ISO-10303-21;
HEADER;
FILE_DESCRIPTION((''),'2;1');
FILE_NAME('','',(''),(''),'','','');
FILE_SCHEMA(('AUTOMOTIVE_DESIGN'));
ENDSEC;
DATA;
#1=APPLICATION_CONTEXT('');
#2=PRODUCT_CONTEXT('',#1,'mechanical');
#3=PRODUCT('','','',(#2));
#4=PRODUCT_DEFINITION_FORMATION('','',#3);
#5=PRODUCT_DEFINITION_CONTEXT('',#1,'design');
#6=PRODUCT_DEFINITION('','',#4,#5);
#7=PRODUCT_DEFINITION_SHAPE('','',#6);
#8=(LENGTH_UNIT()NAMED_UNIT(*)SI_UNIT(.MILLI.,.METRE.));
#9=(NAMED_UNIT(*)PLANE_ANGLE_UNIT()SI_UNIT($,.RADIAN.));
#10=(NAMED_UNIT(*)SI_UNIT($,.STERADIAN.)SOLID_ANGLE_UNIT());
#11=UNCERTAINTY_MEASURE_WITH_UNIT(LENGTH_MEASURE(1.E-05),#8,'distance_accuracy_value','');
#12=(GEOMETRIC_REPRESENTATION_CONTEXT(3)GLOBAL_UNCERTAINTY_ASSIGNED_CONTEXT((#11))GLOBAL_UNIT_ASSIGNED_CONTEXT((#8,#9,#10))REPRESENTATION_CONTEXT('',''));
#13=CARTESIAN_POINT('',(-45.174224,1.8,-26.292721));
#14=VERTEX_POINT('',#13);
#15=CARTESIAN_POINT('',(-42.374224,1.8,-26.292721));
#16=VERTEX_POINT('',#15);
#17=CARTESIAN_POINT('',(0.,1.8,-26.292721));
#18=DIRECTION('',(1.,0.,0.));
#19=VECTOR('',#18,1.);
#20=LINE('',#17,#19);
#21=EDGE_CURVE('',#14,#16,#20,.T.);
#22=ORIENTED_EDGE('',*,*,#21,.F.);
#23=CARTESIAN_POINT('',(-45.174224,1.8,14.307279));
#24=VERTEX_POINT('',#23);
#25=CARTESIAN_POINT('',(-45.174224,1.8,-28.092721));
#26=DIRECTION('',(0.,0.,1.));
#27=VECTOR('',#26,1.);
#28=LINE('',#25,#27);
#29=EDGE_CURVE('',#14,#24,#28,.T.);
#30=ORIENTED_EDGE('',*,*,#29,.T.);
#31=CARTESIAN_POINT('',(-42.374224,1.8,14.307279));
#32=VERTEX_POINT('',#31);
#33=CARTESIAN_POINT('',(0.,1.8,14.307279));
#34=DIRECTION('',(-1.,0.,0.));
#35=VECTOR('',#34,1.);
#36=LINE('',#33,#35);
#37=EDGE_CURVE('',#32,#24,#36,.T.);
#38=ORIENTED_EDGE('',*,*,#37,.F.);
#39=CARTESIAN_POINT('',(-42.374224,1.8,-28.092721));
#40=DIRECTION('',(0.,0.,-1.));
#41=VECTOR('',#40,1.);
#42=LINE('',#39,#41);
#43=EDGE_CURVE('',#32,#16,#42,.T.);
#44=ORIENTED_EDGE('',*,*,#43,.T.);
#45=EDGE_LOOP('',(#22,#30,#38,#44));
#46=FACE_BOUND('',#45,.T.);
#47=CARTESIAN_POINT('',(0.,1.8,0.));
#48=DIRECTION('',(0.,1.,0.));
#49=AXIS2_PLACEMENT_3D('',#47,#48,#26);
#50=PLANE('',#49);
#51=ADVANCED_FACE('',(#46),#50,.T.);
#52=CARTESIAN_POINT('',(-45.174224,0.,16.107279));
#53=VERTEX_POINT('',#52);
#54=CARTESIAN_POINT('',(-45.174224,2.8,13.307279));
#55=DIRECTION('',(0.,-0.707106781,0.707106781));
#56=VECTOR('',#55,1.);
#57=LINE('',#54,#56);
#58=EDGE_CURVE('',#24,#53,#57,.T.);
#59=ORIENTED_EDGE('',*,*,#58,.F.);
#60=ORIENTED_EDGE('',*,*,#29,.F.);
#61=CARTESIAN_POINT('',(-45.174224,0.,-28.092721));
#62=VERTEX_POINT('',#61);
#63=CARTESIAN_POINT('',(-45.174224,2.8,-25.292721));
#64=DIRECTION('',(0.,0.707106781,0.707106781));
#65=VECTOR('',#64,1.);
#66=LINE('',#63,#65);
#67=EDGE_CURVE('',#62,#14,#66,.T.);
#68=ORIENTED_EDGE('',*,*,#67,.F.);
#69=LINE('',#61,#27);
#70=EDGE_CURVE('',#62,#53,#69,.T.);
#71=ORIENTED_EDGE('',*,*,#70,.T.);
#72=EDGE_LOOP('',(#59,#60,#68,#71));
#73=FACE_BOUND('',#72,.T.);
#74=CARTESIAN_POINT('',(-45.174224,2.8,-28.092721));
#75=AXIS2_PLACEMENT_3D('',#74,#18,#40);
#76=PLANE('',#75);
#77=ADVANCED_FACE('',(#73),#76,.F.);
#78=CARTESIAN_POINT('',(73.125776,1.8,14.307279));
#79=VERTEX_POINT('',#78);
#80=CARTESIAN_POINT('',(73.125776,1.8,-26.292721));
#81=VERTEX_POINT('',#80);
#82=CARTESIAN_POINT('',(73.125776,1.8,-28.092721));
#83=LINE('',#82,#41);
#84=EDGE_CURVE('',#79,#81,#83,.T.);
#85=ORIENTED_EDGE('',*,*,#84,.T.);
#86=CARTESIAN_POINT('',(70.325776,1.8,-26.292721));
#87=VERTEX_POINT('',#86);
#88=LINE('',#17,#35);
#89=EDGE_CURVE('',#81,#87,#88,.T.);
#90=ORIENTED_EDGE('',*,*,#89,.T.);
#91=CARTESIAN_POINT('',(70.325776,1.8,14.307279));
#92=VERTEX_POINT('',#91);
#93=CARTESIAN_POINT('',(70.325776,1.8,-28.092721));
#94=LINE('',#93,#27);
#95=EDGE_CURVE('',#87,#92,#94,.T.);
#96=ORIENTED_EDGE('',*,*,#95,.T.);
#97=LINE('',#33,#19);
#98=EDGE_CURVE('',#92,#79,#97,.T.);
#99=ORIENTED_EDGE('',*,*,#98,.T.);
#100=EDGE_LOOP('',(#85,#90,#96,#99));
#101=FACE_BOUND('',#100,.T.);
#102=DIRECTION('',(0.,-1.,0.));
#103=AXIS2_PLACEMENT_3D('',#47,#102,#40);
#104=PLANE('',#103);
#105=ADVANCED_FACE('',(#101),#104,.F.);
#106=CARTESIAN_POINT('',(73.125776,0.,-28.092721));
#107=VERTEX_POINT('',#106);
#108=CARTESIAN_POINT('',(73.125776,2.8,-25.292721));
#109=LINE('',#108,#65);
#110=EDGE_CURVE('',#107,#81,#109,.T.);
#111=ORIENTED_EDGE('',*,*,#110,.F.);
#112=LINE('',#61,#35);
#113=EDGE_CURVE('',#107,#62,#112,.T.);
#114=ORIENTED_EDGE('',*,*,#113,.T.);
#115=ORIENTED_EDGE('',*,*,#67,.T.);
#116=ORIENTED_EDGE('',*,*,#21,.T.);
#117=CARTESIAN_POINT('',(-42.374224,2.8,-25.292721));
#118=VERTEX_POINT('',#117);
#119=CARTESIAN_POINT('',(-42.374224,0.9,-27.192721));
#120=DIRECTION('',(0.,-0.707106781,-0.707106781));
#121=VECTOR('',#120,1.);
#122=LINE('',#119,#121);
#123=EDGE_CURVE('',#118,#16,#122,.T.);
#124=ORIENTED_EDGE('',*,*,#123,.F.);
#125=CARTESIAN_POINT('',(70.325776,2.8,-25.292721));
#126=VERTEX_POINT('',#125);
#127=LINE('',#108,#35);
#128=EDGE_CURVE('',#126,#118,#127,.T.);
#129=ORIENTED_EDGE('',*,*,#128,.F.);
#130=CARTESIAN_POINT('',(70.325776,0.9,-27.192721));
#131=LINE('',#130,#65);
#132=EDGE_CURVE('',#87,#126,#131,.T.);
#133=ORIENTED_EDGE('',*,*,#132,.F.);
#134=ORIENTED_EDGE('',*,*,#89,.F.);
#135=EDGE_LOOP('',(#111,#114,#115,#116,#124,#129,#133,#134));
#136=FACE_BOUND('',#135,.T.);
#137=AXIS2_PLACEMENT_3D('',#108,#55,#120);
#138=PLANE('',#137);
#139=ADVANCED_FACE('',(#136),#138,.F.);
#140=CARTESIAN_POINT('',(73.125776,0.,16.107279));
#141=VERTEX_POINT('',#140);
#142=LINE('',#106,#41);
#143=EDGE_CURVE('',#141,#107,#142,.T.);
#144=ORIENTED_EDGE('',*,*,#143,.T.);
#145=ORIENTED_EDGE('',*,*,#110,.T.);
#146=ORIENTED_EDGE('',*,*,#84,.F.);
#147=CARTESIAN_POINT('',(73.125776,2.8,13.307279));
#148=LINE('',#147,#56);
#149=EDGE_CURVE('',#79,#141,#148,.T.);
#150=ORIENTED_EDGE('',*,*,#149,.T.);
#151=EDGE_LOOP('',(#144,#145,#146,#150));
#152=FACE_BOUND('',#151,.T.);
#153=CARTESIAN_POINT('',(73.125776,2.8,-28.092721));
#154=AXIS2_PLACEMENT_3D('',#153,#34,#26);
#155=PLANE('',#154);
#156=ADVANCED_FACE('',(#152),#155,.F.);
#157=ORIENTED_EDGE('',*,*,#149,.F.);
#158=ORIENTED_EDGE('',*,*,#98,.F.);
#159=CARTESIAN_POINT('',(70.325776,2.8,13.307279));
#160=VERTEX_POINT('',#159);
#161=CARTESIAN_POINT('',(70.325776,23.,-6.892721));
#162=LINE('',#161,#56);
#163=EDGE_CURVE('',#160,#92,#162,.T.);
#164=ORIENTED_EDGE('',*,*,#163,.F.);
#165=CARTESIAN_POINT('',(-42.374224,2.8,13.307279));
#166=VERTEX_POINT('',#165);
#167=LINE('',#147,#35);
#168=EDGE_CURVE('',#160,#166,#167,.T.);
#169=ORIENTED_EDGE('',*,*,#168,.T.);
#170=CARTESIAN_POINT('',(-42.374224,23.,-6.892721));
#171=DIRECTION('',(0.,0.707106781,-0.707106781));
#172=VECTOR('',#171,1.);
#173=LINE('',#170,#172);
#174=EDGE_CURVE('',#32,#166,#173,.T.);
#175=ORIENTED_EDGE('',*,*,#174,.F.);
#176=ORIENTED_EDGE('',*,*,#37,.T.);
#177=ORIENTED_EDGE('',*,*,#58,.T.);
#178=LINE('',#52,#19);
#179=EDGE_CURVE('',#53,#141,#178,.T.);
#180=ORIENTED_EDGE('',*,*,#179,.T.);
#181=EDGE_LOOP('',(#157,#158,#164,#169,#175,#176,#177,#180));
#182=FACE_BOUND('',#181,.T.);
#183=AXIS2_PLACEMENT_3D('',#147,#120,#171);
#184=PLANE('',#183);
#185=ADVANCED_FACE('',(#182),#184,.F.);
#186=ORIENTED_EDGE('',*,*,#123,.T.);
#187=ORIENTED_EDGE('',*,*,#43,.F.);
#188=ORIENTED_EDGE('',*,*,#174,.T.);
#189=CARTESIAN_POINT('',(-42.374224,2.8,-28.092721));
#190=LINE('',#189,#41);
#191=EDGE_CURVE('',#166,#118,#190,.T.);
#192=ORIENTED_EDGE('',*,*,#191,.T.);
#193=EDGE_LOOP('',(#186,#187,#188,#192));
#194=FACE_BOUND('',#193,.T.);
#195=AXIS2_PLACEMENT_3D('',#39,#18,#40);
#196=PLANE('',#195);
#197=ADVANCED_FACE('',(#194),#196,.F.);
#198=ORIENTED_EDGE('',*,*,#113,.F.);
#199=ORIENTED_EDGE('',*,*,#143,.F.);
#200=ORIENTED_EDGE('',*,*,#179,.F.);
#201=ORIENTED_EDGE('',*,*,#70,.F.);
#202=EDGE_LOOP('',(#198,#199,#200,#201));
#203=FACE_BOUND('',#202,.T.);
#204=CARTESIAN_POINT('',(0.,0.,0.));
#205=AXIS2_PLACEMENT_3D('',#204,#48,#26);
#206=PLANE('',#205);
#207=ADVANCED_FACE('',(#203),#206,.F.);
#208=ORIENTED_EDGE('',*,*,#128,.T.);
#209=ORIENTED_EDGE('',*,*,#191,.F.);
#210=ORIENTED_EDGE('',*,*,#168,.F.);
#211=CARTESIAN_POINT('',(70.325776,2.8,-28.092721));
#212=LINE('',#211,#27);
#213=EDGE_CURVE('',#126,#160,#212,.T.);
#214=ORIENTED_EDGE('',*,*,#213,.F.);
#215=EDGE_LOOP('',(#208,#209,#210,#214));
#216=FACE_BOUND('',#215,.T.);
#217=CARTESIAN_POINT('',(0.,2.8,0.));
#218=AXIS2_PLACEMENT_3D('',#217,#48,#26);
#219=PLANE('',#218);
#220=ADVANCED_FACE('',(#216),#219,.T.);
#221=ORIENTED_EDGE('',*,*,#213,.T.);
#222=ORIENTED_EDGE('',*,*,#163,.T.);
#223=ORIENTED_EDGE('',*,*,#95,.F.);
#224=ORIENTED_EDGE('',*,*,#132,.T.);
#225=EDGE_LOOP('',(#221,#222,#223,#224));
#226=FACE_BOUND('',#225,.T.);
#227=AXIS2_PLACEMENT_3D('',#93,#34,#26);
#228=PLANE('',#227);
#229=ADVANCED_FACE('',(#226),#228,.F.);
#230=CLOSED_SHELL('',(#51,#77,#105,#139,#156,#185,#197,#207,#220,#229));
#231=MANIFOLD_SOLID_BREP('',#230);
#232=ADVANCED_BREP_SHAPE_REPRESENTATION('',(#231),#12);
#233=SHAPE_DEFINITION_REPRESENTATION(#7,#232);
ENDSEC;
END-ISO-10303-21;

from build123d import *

# Parameters (mm, degrees)
SKETCH_1_W          = 118.3
SKETCH_1_H          = 44.2
EXTRUDE_1_DEPTH     = 2.8
SKETCH_2_W          = 2.8
SKETCH_2_H          = 44.2
CUT_EXTRUDE_1_DEPTH = 1
CUT_EXTRUDE_2_DEPTH = 122.622082534


with BuildPart() as part:
    # 草图1 → 凸台-拉伸1 (new body)
    with BuildSketch(Plane(origin=(0, 0, 0), x_dir=(1, 0, 0), z_dir=(0, 1, 0))):
        with Locations((13.975775656, 5.992720764)):
            Rectangle(SKETCH_1_W, SKETCH_1_H)
    extrude(amount=EXTRUDE_1_DEPTH)

    # 草图2 → 切除-拉伸1 (cut)
    with BuildSketch(Plane(origin=(0, 2.8, 0), x_dir=(1, 0, 0), z_dir=(0, 1, 0))):
        with Locations((-43.774224344, 5.992720764)):
            Rectangle(SKETCH_2_W, SKETCH_2_H)
        with Locations((71.725775656, 5.992720764)):
            Rectangle(SKETCH_2_W, SKETCH_2_H)
    extrude(amount=-CUT_EXTRUDE_1_DEPTH, mode=Mode.SUBTRACT)

    # 草图3 → 切除-拉伸2 (cut, through all)
    with BuildSketch(Plane.ZY.offset(45.174224344)):
        Polygon((-28.092720764, 0), (-28.092720764, 2.8), (-25.292720764, 2.8), align=None)
        Polygon((16.107279236, 0), (16.107279236, 2.8), (13.307279236, 2.8), align=None)
    extrude(amount=-CUT_EXTRUDE_2_DEPTH, mode=Mode.SUBTRACT)


solid = part.part
